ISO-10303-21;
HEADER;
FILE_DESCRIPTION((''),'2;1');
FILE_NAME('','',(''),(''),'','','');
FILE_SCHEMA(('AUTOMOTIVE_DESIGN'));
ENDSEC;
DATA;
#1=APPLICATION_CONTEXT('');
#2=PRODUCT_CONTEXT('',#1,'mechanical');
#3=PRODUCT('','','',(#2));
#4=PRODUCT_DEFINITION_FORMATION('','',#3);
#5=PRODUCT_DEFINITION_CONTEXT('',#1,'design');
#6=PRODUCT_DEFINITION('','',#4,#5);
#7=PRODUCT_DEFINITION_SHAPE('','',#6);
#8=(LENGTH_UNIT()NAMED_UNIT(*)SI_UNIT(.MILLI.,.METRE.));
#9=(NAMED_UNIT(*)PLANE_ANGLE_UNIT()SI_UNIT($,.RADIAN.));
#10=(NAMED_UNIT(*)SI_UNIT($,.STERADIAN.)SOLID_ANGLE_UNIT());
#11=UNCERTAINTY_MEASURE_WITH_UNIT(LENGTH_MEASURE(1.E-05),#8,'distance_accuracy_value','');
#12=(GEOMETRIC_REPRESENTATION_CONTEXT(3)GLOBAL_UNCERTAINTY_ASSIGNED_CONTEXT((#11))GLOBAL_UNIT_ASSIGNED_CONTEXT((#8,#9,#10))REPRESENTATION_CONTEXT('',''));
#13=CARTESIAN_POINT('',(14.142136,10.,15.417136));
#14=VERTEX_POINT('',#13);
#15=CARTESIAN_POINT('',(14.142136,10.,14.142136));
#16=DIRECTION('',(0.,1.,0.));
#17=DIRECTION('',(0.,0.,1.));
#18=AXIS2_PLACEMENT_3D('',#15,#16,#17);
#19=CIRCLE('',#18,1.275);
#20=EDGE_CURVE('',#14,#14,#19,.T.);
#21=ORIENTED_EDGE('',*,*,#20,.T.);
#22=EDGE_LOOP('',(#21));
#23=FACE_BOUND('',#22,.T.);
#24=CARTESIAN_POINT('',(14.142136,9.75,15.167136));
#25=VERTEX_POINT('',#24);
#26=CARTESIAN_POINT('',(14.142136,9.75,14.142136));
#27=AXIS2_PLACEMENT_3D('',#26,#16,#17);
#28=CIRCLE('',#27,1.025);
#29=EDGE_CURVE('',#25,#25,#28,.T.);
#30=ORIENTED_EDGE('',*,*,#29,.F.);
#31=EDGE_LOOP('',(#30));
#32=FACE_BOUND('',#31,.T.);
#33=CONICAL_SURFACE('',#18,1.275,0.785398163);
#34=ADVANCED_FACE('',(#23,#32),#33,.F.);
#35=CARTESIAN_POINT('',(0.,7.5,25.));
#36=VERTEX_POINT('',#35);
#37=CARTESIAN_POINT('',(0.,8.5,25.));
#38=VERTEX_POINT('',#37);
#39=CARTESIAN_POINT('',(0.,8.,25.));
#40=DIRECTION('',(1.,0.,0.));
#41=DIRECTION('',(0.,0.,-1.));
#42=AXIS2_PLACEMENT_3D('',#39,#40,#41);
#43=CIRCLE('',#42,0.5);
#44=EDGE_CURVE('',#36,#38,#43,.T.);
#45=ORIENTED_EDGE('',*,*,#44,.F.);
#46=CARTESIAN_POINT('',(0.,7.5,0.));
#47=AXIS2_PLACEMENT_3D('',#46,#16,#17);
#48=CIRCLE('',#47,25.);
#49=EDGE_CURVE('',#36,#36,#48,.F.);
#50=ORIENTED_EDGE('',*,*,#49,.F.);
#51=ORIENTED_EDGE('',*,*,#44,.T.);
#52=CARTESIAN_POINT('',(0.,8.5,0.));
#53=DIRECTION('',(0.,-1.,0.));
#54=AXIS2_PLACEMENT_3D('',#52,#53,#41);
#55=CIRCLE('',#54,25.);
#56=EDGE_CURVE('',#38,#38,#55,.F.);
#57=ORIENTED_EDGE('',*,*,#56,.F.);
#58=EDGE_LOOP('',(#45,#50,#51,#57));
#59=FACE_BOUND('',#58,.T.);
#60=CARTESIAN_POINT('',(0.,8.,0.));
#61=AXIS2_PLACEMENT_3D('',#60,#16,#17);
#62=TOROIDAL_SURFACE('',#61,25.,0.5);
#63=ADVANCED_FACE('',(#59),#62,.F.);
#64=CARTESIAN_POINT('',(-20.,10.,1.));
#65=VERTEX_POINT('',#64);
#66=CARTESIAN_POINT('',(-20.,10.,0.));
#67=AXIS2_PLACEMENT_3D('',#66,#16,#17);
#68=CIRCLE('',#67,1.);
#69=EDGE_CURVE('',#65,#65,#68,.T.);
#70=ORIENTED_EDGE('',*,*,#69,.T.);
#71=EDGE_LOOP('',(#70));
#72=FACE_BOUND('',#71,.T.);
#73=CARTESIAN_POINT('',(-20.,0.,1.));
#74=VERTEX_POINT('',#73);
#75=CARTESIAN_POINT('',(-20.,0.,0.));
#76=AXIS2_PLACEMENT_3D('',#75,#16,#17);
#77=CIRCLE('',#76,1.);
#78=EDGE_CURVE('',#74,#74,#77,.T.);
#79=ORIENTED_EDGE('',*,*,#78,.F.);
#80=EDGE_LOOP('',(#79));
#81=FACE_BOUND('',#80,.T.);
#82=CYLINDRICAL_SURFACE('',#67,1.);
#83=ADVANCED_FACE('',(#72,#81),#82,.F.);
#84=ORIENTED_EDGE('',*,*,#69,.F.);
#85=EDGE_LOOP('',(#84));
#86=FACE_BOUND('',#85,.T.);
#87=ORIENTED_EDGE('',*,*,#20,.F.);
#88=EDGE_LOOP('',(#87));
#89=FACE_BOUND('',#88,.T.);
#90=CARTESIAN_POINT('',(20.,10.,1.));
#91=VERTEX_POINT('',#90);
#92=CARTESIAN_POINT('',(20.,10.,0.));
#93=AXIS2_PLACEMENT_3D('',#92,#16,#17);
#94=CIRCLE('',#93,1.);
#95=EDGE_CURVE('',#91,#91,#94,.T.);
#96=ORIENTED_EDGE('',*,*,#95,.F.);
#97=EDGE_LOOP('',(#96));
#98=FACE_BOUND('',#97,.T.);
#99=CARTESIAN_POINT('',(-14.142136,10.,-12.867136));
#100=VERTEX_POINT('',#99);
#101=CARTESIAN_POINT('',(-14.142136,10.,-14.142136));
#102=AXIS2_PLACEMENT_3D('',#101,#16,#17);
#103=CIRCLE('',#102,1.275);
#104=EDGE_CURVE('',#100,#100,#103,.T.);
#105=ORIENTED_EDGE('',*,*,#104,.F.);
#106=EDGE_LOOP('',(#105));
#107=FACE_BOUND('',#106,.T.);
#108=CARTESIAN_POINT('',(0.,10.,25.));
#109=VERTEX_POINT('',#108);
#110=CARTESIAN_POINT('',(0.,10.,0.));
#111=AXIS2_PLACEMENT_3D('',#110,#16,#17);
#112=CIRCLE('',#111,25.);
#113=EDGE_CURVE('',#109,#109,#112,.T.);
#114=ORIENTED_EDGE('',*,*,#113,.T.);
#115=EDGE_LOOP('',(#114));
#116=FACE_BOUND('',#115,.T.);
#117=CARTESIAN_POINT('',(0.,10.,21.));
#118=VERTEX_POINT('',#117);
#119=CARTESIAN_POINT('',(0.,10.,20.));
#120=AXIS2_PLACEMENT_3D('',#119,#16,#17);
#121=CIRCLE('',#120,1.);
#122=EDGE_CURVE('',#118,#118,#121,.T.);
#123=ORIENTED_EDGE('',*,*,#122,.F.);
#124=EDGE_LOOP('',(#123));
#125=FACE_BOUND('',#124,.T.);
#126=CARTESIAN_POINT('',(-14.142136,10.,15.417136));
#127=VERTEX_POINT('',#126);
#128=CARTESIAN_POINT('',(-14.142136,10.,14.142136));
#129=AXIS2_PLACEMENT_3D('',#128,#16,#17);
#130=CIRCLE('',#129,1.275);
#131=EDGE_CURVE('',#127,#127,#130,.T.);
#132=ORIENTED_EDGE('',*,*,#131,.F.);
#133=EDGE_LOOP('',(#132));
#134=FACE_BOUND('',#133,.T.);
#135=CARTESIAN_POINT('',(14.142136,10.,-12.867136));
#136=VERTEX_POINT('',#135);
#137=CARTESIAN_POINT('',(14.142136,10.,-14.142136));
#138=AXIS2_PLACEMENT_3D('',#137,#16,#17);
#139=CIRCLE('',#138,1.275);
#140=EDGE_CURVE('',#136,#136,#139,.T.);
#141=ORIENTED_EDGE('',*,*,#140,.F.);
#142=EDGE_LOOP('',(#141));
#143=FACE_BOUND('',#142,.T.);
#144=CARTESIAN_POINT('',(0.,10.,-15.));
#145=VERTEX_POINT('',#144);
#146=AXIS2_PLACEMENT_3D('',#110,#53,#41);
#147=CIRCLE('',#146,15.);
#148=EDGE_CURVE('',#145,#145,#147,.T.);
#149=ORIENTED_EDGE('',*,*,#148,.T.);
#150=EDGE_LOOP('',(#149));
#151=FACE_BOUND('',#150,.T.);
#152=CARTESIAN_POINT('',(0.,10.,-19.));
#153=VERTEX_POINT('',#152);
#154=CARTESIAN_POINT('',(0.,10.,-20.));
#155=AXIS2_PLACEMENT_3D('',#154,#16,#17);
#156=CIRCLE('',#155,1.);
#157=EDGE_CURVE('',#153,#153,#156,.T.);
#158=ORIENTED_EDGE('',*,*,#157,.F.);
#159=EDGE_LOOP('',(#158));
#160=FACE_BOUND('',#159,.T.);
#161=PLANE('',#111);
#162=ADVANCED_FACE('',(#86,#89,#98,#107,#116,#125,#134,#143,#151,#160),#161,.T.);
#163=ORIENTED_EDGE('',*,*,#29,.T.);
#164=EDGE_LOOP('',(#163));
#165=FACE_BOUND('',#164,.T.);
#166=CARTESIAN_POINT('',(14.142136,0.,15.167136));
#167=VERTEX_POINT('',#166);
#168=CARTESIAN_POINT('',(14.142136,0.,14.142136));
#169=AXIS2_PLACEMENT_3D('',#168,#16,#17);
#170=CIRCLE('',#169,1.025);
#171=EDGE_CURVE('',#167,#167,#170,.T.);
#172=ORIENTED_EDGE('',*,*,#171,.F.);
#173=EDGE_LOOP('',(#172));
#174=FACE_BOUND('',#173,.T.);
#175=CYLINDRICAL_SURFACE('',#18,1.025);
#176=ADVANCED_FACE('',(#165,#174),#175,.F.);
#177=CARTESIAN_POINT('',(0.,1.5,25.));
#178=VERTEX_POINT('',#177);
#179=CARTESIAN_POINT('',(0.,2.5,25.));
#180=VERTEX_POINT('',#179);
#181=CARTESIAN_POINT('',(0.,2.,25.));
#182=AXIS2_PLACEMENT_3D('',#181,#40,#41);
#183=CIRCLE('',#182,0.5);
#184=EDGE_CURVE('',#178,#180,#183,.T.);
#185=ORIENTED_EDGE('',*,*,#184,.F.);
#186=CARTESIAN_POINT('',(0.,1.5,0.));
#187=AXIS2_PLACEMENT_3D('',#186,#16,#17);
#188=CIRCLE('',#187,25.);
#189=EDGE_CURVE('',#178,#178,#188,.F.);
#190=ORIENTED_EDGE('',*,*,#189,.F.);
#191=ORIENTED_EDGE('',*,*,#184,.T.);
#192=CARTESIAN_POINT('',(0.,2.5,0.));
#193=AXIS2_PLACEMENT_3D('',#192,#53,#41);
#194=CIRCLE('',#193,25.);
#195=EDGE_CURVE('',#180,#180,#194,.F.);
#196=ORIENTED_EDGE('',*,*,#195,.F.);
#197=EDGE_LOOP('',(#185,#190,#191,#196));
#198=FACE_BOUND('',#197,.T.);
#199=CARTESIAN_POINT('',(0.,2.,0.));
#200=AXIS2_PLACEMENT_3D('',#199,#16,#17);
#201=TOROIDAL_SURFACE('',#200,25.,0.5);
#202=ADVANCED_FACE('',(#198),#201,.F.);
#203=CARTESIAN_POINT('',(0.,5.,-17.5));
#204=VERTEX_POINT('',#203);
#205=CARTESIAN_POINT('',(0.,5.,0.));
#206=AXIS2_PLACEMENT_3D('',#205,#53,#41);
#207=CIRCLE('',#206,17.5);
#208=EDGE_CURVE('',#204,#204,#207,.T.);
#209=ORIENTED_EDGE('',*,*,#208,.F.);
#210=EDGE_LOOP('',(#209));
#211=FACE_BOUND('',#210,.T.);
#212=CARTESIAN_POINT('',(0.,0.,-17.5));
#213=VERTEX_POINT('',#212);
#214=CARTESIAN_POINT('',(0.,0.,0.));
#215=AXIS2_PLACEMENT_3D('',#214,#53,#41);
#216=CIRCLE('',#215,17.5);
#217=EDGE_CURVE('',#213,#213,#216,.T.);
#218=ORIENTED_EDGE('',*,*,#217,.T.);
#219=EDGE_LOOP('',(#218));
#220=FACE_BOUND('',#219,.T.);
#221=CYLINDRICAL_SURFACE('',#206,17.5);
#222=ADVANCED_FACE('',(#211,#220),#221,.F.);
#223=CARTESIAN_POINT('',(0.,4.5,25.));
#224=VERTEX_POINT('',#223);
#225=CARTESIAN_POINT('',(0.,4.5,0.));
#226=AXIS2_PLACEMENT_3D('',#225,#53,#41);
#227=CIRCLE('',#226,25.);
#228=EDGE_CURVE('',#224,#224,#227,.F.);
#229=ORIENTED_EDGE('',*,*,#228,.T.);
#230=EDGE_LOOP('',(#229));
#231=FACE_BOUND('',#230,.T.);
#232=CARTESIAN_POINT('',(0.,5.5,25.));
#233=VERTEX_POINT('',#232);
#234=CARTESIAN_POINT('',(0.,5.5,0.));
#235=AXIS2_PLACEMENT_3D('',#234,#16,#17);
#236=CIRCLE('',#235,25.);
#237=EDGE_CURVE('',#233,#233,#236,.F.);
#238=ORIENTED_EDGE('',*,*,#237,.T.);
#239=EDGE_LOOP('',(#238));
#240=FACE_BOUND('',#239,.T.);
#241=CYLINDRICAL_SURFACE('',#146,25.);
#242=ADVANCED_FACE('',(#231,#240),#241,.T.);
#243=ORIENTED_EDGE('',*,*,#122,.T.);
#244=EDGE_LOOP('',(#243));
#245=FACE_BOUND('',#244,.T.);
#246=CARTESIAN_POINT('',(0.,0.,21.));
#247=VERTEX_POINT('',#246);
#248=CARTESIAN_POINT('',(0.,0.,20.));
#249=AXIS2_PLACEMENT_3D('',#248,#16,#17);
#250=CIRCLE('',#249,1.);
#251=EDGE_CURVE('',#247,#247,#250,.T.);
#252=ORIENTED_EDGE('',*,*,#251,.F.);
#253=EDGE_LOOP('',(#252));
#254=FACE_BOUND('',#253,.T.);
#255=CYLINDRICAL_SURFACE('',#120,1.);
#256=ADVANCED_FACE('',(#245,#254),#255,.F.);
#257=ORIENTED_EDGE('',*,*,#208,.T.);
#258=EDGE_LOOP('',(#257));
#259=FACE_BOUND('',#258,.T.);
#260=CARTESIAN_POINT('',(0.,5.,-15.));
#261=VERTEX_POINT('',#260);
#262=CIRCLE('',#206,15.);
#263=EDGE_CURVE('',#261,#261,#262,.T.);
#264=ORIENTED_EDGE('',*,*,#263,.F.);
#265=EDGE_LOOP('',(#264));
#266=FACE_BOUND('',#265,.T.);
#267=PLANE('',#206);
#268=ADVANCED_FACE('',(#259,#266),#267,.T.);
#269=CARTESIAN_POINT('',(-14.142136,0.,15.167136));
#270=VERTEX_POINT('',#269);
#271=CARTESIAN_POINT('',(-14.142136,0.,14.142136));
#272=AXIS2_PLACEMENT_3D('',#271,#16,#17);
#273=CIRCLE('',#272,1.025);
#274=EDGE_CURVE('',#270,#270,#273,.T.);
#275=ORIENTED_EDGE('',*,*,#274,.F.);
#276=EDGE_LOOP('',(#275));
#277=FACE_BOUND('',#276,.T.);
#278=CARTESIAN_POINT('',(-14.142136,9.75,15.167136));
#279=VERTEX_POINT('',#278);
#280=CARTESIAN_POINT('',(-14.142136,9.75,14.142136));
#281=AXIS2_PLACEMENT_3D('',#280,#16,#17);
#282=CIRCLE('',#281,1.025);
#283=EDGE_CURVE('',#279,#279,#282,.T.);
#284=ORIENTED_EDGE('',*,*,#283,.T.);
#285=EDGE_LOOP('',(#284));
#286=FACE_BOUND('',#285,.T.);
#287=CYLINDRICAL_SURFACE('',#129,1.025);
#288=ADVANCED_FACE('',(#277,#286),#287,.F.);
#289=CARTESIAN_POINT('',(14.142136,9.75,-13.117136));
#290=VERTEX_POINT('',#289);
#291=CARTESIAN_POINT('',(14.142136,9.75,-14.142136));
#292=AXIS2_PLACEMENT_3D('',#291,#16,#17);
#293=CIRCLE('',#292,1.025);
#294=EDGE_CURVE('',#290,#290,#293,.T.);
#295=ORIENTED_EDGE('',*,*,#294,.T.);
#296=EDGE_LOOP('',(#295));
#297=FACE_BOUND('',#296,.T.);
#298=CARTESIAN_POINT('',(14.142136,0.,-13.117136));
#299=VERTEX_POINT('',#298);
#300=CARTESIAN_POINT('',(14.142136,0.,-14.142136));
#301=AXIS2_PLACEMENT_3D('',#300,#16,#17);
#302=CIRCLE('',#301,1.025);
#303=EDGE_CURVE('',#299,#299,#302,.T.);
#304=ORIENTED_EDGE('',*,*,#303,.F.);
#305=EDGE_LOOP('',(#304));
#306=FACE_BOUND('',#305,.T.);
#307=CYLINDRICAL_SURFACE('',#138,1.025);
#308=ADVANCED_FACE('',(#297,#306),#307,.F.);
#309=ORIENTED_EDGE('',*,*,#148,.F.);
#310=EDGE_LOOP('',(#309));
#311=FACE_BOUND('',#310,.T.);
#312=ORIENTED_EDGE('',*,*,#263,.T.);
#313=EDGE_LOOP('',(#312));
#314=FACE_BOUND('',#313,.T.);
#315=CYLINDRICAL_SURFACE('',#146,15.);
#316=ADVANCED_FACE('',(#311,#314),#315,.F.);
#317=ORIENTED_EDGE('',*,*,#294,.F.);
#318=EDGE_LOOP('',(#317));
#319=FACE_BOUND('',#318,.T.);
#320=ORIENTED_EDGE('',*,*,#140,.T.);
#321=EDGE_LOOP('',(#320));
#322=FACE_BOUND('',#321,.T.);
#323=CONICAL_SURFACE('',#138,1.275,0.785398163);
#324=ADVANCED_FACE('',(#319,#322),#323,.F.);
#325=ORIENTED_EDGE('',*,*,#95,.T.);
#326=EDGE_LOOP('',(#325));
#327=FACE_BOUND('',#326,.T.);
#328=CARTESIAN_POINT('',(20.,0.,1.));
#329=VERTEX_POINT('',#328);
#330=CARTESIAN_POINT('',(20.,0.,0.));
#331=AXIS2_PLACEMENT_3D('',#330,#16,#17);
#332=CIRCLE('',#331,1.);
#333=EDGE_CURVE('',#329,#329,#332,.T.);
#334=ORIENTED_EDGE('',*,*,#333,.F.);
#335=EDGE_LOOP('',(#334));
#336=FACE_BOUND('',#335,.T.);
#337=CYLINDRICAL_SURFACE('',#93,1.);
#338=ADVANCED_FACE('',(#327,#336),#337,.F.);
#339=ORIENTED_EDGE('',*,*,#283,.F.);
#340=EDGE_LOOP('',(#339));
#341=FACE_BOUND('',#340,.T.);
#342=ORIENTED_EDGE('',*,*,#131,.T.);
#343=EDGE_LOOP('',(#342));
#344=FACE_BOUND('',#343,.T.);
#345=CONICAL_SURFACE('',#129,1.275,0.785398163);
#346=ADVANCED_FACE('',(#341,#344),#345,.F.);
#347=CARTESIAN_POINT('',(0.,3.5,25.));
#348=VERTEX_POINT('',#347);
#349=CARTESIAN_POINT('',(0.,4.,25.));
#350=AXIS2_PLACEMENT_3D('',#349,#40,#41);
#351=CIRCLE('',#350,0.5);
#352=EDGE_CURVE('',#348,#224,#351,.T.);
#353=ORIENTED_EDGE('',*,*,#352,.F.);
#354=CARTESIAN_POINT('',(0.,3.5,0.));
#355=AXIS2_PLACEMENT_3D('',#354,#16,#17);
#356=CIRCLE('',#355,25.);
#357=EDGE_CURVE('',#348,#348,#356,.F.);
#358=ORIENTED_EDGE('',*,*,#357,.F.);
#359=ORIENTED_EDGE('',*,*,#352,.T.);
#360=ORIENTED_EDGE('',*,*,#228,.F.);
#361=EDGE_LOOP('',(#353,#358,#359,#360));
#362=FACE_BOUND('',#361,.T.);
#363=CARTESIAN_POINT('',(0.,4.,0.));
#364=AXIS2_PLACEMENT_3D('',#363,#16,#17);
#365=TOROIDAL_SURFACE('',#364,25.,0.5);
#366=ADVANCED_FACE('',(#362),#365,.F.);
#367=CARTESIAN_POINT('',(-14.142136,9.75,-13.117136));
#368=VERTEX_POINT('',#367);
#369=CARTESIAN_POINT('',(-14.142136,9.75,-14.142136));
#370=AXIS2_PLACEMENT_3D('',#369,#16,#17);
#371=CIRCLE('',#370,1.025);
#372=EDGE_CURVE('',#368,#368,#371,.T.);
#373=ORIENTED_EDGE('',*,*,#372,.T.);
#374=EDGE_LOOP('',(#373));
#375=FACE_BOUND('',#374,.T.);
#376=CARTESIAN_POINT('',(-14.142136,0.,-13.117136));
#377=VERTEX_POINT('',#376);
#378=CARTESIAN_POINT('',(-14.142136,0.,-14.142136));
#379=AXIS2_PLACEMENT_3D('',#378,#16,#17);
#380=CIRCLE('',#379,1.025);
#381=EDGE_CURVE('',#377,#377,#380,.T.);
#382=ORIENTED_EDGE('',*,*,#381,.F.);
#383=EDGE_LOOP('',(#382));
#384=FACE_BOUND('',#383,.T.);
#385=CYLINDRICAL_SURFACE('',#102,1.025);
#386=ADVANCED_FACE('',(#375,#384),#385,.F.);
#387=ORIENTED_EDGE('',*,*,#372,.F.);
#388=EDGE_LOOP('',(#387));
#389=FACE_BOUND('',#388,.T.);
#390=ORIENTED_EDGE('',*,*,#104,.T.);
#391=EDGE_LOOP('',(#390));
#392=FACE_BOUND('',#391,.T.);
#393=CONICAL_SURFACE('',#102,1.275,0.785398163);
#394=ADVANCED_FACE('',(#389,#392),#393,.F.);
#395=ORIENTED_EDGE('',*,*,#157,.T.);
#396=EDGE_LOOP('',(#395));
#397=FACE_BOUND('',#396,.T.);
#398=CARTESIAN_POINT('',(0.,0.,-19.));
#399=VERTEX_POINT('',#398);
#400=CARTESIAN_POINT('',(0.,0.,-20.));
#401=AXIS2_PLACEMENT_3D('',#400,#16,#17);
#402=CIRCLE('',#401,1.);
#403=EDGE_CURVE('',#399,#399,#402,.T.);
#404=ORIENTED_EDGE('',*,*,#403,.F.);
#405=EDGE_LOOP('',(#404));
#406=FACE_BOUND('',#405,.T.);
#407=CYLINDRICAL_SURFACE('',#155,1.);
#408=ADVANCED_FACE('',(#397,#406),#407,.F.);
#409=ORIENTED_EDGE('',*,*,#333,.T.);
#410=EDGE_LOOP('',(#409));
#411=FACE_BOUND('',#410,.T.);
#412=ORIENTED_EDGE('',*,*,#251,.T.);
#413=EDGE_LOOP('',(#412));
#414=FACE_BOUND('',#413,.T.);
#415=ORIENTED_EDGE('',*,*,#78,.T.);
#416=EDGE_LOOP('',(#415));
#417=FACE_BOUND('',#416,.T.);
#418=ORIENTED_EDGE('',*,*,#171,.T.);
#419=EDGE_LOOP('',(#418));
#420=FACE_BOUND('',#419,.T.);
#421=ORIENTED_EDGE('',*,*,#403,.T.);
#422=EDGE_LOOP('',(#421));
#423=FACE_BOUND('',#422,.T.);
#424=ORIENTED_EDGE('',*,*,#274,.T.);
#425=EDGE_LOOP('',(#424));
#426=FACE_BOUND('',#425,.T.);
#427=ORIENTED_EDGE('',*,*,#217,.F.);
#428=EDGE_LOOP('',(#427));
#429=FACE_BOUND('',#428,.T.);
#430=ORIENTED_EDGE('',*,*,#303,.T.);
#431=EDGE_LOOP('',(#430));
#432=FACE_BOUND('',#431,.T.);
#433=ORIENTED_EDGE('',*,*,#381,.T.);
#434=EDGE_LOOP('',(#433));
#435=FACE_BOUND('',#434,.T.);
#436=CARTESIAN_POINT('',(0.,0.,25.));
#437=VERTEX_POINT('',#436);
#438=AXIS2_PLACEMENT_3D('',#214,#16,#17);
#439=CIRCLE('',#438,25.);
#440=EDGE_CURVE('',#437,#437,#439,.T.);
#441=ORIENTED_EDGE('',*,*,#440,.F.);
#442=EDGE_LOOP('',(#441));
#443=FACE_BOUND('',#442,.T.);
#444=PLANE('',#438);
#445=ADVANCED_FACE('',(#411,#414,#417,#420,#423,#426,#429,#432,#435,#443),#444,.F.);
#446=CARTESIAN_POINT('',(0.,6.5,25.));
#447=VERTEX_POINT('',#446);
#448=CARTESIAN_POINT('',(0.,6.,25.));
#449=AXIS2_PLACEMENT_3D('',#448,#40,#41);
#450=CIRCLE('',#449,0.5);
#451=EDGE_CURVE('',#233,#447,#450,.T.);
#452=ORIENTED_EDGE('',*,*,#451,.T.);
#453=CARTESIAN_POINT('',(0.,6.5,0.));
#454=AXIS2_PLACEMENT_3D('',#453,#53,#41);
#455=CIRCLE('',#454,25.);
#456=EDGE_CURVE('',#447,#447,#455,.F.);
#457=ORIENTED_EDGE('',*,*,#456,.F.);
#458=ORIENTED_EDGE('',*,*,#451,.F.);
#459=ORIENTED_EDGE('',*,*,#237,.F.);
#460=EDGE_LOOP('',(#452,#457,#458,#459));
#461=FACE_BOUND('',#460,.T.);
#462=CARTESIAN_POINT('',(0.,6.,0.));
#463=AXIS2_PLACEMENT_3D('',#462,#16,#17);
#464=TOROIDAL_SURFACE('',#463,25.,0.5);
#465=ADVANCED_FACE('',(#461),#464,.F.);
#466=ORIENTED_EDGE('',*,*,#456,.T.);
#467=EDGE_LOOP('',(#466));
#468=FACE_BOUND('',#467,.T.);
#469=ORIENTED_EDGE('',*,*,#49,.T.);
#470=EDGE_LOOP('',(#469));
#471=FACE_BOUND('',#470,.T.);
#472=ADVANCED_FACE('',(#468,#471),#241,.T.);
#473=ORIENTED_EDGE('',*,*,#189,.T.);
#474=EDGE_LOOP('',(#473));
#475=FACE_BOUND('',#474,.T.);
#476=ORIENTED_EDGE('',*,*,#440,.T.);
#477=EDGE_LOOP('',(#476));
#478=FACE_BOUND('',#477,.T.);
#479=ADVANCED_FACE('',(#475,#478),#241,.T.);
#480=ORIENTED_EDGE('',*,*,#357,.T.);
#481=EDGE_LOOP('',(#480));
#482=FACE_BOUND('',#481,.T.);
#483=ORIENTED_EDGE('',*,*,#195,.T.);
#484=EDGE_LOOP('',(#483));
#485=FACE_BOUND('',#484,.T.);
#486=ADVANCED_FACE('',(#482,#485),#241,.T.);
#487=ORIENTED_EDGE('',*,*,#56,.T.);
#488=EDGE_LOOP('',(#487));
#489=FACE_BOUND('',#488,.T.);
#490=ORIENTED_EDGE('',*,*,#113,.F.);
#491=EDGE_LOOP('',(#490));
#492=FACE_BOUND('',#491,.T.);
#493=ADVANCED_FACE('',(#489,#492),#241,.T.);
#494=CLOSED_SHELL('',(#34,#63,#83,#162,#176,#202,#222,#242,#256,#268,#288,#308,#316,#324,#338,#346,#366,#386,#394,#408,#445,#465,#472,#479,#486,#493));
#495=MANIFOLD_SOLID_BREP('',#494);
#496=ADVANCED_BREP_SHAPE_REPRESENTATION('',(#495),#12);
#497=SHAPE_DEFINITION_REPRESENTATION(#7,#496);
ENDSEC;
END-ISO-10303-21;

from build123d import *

# Parameters (mm, degrees)
SKETCH_1_R                     = 25
EXTRUDE_1_DEPTH                = 10
HOLE_WIZARD_1_D                = 2
SKETCH_4_R                     = 17.5
CUT_EXTRUDE_1_DEPTH            = 5
SKETCH_5_R                     = 15
CUT_EXTRUDE_2_DEPTH            = 5
HOLE_WIZARD_M2_5_1_D           = 2.05
HOLE_WIZARD_M2_5_1_CSINK_D     = 2.55
HOLE_WIZARD_M2_5_1_CSINK_ANGLE = 90
SWEEP_1_PROFILE_R              = 0.5
PATTERN_LINEAR_1_COUNT         = 4
PATTERN_LINEAR_1_PITCH         = 2


with BuildPart() as part:
    # 草图1 → 凸台-拉伸1 (new body)
    with BuildSketch(Plane(origin=(0, 0, 0), x_dir=(1, 0, 0), z_dir=(0, 1, 0))):
        with Locations(Location((0, 0, 0), (0, 0, 270))):
            Circle(SKETCH_1_R)
    extrude(amount=EXTRUDE_1_DEPTH)

    # 孔1 (through all)
    with Locations(Plane(origin=(0, 10, 0), x_dir=(1, 0, 0), z_dir=(0, 1, 0))):
        with Locations((0, -20), (20, 0), (0, 20), (-20, 0)):
            Hole(HOLE_WIZARD_1_D / 2)

    # 草图4 → 切除-拉伸1 (cut)
    with BuildSketch(Plane.XZ):
        with Locations(Location((0, 0, 0), (0, 0, 270))):
            Circle(SKETCH_4_R)
    extrude(amount=-CUT_EXTRUDE_1_DEPTH, mode=Mode.SUBTRACT)

    # 草图5 → 切除-拉伸2 (cut)
    with BuildSketch(Plane.XZ.offset(-5)):
        with Locations(Location((0, 0, 0), (0, 0, 270))):
            Circle(SKETCH_5_R)
    extrude(amount=-CUT_EXTRUDE_2_DEPTH, mode=Mode.SUBTRACT)

    # M2.5 螺纹孔1 (through all)
    with Locations(Plane(origin=(0, 10, 0), x_dir=(1, 0, 0), z_dir=(0, 1, 0))):
        with Locations((-14.142135624, 14.142135624), (14.142135624, 14.142135624), (14.142135624, -14.142135624), (-14.142135624, -14.142135624)):
            CounterSinkHole(HOLE_WIZARD_M2_5_1_D / 2, HOLE_WIZARD_M2_5_1_CSINK_D / 2, counter_sink_angle=HOLE_WIZARD_M2_5_1_CSINK_ANGLE)

    # 切除-扫描1: sweep along a path in 草图11
    with BuildLine(Plane(origin=(0, 2, 0), x_dir=(1, 0, 0), z_dir=(0, 1, 0))) as sweep_1_path:
        CenterArc((0, 0), 25, 0, 360)
    # 切除-扫描1 profile (on start of the path) → 切除-扫描1 (sweep, cut)
    with BuildSketch(Plane(origin=(25, 2, 0), x_dir=(-1, 0, 0), z_dir=(0, 0, -1))):
        Circle(SWEEP_1_PROFILE_R)
    sweep_1 = sweep(path=sweep_1_path.line, mode=Mode.SUBTRACT)

    # 阵列(线性)1: 切除-扫描1 ×4
    with Locations(*[(0, i * PATTERN_LINEAR_1_PITCH, 0) for i in range(1, PATTERN_LINEAR_1_COUNT)]):
        add(sweep_1, mode=Mode.SUBTRACT)


solid = part.part
